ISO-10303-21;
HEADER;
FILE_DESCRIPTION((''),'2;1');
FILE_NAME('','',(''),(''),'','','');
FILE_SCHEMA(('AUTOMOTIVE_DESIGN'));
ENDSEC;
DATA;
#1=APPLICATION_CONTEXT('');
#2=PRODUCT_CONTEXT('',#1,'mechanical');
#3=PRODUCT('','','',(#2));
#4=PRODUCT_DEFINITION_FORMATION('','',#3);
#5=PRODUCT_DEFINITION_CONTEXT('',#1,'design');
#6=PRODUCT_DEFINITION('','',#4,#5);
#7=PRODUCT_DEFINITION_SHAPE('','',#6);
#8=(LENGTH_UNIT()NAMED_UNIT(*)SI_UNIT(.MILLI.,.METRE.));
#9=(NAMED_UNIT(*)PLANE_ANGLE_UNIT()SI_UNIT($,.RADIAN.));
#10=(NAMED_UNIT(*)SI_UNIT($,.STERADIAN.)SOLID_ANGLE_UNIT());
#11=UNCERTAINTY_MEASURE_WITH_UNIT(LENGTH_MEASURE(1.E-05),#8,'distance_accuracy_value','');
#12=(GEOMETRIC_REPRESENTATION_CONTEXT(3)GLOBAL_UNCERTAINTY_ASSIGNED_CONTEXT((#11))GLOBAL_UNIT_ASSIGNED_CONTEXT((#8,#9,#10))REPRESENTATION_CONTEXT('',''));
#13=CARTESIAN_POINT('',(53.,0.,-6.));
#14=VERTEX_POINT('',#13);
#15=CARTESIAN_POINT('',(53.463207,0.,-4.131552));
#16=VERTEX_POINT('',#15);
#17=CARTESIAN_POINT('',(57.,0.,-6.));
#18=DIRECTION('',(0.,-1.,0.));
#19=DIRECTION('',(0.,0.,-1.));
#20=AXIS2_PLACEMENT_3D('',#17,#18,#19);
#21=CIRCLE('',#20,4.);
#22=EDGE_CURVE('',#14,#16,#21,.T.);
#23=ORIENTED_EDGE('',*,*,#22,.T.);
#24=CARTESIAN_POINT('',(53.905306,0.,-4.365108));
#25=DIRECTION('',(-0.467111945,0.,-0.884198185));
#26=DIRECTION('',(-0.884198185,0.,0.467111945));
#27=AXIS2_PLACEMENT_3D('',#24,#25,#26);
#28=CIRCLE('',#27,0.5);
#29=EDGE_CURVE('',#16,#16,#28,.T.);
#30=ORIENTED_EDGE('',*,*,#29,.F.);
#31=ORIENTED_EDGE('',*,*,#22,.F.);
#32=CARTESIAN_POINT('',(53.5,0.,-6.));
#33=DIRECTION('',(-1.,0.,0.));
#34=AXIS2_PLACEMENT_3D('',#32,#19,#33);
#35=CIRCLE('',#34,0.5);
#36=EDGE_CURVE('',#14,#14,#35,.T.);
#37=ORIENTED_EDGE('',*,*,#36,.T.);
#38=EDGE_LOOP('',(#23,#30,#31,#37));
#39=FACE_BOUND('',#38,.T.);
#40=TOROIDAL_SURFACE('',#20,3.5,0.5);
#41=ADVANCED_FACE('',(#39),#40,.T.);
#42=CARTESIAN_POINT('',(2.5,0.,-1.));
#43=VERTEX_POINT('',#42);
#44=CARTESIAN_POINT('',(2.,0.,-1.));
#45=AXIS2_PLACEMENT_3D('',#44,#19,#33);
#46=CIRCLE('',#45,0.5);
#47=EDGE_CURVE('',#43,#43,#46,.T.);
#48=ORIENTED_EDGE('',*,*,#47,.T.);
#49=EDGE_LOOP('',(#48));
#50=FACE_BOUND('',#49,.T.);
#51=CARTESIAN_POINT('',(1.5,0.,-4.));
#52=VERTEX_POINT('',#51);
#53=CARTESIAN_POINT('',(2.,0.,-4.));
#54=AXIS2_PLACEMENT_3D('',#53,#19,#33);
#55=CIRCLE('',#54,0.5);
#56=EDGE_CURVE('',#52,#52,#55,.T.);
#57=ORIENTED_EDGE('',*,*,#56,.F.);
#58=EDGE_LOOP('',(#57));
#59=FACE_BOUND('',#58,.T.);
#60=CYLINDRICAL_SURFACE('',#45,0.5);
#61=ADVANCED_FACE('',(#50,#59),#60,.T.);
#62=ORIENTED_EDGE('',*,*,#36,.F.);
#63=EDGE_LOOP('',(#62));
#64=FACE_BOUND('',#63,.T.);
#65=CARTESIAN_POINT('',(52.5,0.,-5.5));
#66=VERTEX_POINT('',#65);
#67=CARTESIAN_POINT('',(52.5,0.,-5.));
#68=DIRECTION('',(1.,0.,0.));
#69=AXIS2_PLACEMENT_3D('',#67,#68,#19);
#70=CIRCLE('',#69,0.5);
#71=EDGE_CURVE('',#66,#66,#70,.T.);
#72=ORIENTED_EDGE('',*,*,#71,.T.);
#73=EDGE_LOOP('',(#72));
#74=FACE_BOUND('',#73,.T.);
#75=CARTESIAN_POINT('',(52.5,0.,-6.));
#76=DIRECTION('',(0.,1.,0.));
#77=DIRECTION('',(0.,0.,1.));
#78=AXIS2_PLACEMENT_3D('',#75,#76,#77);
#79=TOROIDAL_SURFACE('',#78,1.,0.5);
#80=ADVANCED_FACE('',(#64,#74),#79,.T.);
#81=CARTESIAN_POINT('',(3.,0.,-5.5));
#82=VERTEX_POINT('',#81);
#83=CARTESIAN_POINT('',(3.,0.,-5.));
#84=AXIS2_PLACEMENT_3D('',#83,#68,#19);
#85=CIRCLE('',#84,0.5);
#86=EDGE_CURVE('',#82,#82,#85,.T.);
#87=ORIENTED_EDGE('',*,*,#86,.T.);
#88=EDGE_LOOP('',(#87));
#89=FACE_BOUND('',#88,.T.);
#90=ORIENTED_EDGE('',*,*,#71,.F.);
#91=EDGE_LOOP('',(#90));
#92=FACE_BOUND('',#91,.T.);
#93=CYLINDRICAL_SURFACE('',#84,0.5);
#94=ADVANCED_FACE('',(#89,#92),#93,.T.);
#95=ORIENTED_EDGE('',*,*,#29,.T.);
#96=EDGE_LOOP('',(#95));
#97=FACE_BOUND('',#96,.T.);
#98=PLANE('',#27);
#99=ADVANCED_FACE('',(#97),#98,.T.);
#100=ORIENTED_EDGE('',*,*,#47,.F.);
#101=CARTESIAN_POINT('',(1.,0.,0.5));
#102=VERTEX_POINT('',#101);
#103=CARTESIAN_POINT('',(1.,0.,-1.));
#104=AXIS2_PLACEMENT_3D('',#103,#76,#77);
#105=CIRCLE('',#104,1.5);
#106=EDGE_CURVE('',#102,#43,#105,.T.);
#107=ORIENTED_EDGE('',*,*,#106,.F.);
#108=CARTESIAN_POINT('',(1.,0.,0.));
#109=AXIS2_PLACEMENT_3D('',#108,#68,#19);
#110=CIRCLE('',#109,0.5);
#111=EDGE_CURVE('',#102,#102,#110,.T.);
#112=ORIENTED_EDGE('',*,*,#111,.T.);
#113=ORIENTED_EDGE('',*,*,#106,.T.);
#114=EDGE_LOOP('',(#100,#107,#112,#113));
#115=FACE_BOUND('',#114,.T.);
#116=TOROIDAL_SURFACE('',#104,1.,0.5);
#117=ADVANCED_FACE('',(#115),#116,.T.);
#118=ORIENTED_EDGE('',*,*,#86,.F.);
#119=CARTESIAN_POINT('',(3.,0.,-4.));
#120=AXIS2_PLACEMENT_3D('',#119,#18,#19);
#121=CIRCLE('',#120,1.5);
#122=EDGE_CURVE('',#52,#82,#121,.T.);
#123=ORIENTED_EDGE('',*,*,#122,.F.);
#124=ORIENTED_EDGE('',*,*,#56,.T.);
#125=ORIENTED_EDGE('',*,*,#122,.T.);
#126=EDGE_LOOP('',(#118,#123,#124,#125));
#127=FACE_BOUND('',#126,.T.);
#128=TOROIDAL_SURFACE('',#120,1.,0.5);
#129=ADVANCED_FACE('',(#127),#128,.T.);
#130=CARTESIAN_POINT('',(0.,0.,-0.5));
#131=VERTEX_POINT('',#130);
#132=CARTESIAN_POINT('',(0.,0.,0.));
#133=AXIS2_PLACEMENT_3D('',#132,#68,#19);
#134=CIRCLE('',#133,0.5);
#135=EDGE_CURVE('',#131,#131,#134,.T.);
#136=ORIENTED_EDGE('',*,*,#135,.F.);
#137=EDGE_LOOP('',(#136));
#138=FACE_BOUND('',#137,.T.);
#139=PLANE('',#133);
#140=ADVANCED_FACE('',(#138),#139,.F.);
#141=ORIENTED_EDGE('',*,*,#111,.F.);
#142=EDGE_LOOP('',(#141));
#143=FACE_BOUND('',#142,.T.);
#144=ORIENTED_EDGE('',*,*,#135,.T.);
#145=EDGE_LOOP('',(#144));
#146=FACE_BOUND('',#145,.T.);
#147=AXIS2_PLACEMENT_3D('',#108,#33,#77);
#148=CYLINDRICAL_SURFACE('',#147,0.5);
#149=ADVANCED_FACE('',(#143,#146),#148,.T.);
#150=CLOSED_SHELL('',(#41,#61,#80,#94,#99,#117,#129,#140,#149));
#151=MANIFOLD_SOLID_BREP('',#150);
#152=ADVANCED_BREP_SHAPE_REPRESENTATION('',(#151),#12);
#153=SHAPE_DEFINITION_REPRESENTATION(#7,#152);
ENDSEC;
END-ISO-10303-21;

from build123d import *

# Parameters (mm, degrees)
SKETCH2_R = 0.5


with BuildPart() as part:
    # Sweep1: sweep along a path in Sketch1
    with BuildLine(Plane(origin=(0, 0, 0), x_dir=(1, 0, 0), z_dir=(0, 1, 0))) as sweep1_path:
        Line((0, 0), (1, 0))
        ThreePointArc((1, 0), (1.707106781, 0.292893219), (2, 1))
        Line((2, 1), (2, 4))
        ThreePointArc((2, 4), (2.292893219, 4.707106781), (3, 5))
        Line((3, 5), (52.5, 5))
        ThreePointArc((52.5, 5), (53.207106781, 5.292893219), (53.5, 6))
        ThreePointArc((53.5, 6), (60.397162622, 6.842191259), (53.905306352, 4.365108191))
    # Sketch2 → Sweep1 (sweep)
    with BuildSketch(Plane(origin=(0, 0, 0), x_dir=(0, 0, -1), z_dir=(1, 0, 0))):
        Circle(SKETCH2_R)
    sweep(path=sweep1_path.line)


solid = part.part
